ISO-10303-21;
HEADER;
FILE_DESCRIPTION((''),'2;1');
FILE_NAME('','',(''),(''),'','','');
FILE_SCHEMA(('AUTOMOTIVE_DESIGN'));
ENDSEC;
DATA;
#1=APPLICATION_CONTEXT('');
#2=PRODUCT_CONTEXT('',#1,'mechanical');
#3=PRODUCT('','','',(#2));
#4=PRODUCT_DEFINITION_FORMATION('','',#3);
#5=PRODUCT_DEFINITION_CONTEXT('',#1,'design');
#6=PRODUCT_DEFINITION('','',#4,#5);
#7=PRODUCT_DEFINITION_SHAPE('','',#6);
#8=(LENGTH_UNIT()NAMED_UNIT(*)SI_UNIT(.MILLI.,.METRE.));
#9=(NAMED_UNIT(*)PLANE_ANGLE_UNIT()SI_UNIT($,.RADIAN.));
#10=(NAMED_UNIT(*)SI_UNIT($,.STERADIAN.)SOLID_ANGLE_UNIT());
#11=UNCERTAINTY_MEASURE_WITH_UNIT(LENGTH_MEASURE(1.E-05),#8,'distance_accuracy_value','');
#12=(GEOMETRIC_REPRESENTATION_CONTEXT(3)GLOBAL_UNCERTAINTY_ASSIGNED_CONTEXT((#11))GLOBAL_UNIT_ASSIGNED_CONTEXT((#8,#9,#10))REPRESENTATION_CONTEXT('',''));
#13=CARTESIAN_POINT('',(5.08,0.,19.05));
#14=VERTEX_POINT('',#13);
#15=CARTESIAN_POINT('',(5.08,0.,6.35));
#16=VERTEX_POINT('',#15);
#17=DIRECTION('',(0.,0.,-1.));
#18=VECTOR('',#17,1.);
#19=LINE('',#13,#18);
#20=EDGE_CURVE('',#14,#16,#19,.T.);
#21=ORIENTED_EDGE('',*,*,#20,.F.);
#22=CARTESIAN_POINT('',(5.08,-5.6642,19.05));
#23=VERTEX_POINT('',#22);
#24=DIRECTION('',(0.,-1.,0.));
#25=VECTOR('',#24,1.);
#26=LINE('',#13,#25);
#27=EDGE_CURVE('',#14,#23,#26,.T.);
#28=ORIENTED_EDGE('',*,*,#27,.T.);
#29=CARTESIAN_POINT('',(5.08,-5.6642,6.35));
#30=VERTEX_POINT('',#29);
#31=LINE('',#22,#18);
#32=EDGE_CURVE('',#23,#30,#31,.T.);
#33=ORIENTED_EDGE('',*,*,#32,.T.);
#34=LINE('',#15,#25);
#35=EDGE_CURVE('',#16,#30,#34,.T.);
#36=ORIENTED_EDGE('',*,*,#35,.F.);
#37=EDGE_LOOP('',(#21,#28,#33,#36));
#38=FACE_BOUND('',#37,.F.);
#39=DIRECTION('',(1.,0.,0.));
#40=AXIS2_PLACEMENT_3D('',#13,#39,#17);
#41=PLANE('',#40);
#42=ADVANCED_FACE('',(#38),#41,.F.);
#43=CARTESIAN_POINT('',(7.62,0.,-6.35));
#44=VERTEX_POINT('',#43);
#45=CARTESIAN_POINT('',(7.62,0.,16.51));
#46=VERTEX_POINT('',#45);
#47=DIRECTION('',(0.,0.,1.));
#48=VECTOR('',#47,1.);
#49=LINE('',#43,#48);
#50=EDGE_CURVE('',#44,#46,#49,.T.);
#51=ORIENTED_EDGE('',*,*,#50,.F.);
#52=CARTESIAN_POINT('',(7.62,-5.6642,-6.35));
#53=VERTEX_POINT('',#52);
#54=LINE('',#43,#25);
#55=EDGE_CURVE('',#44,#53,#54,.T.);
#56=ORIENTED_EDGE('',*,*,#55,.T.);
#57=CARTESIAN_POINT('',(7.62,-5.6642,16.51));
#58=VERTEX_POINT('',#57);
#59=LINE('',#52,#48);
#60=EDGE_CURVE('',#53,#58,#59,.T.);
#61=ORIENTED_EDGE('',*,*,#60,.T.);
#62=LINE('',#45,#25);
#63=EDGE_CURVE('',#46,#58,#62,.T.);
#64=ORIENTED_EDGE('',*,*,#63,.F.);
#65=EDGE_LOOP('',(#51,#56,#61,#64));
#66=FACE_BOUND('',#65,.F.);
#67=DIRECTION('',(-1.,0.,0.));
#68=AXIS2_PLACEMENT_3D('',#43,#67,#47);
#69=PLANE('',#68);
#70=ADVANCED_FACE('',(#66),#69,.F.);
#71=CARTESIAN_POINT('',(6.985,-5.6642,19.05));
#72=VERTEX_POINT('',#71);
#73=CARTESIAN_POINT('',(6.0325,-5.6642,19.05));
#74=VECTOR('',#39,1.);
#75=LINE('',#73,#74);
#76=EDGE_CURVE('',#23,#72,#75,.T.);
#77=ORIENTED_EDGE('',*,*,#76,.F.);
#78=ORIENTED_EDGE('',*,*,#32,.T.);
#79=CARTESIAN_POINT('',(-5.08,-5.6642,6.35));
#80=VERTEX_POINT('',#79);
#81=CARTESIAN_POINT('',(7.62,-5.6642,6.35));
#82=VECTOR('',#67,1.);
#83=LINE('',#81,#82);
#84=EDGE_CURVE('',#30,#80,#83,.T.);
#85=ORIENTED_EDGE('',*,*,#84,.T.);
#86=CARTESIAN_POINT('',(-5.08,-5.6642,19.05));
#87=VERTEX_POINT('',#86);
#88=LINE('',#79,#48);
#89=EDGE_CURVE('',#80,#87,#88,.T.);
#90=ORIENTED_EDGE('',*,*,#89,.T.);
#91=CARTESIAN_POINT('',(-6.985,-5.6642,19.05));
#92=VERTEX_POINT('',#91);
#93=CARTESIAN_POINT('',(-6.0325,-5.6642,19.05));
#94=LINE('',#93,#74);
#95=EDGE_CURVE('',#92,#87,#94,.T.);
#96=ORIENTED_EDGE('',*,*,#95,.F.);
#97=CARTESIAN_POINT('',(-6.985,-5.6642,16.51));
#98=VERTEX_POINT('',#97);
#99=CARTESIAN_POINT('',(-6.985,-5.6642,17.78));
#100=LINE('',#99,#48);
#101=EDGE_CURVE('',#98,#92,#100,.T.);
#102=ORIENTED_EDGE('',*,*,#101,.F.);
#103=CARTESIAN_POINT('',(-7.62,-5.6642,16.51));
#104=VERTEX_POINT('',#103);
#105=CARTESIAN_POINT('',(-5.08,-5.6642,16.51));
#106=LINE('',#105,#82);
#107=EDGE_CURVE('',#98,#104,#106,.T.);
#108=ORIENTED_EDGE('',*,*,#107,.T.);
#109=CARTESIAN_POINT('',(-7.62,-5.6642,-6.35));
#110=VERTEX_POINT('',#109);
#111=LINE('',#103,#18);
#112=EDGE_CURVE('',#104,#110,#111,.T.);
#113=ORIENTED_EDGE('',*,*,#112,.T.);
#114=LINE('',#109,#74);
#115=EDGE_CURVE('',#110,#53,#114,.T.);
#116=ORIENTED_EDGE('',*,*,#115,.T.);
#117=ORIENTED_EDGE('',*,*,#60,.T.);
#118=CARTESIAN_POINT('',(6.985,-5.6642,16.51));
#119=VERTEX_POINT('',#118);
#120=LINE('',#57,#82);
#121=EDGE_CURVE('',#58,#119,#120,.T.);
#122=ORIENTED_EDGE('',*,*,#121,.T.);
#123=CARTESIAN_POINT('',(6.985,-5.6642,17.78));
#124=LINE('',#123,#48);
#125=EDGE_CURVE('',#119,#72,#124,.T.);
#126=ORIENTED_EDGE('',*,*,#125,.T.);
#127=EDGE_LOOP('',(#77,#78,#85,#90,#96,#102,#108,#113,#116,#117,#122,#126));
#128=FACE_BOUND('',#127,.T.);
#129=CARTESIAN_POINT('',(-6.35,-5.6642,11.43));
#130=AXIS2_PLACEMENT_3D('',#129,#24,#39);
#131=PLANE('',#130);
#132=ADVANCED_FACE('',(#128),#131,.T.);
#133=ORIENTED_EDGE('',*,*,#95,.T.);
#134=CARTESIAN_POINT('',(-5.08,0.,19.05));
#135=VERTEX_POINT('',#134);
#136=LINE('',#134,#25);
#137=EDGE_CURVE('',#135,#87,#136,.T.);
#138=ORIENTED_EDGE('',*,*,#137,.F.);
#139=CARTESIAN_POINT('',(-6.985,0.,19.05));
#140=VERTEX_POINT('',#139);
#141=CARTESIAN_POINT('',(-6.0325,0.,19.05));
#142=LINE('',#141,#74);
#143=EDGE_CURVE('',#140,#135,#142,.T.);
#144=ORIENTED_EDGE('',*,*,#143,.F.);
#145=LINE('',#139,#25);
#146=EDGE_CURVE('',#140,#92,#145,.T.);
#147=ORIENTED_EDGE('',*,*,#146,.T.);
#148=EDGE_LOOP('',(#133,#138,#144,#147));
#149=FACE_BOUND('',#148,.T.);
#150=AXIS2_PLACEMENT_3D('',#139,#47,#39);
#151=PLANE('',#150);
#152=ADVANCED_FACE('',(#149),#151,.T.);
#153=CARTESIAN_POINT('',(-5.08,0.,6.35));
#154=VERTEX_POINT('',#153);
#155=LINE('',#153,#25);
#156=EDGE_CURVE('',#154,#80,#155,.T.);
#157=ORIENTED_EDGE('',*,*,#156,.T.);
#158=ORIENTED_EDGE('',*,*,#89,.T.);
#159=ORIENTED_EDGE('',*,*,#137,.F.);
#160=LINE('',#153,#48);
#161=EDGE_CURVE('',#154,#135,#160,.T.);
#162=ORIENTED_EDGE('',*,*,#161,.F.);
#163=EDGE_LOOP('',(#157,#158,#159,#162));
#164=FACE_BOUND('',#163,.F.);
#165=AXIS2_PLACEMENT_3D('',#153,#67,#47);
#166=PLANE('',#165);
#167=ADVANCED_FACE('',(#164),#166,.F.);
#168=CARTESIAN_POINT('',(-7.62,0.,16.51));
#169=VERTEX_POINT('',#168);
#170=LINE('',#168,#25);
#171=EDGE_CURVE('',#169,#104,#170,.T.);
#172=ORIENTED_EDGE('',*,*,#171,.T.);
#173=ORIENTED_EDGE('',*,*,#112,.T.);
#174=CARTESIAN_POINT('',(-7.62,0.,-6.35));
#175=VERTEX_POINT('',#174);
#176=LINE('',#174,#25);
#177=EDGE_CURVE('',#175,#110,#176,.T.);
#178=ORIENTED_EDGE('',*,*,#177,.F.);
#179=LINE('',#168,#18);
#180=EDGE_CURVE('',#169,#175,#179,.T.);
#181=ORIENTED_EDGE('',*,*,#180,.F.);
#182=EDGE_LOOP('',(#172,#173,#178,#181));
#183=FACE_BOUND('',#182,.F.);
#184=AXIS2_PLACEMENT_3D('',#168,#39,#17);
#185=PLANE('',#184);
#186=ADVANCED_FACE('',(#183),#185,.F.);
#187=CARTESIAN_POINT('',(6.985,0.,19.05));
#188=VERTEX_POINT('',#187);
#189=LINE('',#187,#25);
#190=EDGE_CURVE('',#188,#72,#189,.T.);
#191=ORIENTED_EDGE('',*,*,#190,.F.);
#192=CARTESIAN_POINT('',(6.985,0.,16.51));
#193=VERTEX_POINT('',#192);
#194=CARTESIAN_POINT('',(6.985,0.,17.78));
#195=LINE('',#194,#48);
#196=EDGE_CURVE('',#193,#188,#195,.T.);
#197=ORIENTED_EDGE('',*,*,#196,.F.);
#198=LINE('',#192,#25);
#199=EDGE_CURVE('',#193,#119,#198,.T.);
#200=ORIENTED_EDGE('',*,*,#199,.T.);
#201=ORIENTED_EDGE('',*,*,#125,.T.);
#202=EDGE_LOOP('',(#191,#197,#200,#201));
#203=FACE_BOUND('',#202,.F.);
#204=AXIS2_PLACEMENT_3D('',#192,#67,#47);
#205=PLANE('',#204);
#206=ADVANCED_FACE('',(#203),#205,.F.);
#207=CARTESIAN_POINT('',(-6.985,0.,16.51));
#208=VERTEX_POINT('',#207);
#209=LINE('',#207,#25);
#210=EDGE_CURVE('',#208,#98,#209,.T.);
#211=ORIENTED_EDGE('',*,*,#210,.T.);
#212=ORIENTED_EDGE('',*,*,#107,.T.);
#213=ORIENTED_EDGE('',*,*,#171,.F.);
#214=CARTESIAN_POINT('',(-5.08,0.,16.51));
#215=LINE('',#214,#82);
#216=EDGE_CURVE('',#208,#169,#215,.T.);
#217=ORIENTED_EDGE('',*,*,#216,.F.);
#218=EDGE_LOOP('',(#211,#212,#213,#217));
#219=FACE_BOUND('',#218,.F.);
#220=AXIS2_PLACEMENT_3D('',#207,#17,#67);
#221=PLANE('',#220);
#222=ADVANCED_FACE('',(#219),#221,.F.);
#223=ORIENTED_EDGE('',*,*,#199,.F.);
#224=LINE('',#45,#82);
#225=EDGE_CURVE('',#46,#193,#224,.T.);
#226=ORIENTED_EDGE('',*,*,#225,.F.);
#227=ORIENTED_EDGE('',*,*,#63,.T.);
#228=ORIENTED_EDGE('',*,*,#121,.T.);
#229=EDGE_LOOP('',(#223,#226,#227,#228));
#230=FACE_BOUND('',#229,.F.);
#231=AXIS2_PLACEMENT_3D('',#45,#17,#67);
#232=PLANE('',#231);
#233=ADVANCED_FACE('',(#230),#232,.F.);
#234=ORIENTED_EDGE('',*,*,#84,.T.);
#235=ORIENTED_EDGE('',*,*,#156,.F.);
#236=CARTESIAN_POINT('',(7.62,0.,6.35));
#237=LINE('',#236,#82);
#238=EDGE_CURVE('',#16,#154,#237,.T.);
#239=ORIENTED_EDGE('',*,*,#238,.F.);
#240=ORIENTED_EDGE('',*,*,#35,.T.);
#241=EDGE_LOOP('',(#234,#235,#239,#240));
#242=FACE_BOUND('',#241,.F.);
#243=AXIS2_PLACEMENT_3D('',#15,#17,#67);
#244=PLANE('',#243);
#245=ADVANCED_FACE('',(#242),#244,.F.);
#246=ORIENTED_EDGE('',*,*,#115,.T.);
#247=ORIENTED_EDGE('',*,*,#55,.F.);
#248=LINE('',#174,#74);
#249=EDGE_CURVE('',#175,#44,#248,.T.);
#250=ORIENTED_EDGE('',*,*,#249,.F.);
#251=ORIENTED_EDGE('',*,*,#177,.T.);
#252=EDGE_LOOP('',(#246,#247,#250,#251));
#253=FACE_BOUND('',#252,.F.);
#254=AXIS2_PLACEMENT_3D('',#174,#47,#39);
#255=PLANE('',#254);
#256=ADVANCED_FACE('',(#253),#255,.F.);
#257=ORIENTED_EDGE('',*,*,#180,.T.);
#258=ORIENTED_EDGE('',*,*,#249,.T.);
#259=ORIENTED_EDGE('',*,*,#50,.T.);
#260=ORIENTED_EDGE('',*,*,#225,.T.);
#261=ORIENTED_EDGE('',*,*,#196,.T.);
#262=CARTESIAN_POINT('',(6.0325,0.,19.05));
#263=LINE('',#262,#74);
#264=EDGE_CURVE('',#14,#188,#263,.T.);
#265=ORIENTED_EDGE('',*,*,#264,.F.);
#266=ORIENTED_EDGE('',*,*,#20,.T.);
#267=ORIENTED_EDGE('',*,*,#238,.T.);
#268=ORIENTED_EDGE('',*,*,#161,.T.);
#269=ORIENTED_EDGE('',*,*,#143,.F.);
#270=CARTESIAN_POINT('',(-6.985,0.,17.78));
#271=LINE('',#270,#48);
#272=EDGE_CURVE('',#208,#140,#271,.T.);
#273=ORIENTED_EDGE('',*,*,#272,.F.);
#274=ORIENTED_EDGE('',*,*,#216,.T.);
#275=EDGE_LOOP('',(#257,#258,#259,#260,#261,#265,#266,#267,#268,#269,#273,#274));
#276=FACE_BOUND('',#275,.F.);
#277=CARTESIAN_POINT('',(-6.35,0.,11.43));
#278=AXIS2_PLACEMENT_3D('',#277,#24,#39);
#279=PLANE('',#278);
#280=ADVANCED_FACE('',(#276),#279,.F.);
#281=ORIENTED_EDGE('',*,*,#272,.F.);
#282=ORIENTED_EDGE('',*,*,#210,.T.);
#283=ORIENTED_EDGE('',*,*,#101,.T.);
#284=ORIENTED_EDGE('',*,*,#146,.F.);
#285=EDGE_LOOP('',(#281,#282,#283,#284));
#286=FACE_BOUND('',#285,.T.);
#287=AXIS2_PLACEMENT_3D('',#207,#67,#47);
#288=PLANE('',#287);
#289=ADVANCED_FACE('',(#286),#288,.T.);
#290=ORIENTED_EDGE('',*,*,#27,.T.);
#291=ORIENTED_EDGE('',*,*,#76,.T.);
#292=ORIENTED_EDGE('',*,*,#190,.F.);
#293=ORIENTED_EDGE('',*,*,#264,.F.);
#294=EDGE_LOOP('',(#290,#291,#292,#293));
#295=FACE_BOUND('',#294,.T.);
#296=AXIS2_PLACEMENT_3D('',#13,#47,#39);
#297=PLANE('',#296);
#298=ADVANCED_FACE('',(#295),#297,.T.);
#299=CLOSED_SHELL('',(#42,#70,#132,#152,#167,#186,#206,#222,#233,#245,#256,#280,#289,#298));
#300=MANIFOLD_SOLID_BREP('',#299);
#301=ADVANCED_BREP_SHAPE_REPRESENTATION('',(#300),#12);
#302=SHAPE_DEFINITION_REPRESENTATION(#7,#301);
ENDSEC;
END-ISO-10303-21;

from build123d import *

# Parameters (mm, degrees)
F0_W     = 1.905
F0_H     = 2.54
F1_DEPTH = 5.6642


with BuildPart() as f1:
    # F0 (on Front) → F1 (new body)
    with BuildSketch(Plane.XZ):
        Polygon((-7.62, 16.51), (-7.62, 6.35), (-5.08, 6.35), (-5.08, 16.51), (-6.985, 16.51), align=None)
        Polygon((-5.08, 6.35), (-7.62, 6.35), (-7.62, -6.35), (7.62, -6.35), (7.62, 6.35), (5.08, 6.35), align=None)
        Polygon((5.08, 16.51), (5.08, 6.35), (7.62, 6.35), (7.62, 16.51), (6.985, 16.51), align=None)
        with Locations((-6.0325, 17.78)):
            Rectangle(F0_W, F0_H)
        with Locations((6.0325, 17.78)):
            Rectangle(F0_W, F0_H)
    extrude(amount=F1_DEPTH)


solid = f1.part
